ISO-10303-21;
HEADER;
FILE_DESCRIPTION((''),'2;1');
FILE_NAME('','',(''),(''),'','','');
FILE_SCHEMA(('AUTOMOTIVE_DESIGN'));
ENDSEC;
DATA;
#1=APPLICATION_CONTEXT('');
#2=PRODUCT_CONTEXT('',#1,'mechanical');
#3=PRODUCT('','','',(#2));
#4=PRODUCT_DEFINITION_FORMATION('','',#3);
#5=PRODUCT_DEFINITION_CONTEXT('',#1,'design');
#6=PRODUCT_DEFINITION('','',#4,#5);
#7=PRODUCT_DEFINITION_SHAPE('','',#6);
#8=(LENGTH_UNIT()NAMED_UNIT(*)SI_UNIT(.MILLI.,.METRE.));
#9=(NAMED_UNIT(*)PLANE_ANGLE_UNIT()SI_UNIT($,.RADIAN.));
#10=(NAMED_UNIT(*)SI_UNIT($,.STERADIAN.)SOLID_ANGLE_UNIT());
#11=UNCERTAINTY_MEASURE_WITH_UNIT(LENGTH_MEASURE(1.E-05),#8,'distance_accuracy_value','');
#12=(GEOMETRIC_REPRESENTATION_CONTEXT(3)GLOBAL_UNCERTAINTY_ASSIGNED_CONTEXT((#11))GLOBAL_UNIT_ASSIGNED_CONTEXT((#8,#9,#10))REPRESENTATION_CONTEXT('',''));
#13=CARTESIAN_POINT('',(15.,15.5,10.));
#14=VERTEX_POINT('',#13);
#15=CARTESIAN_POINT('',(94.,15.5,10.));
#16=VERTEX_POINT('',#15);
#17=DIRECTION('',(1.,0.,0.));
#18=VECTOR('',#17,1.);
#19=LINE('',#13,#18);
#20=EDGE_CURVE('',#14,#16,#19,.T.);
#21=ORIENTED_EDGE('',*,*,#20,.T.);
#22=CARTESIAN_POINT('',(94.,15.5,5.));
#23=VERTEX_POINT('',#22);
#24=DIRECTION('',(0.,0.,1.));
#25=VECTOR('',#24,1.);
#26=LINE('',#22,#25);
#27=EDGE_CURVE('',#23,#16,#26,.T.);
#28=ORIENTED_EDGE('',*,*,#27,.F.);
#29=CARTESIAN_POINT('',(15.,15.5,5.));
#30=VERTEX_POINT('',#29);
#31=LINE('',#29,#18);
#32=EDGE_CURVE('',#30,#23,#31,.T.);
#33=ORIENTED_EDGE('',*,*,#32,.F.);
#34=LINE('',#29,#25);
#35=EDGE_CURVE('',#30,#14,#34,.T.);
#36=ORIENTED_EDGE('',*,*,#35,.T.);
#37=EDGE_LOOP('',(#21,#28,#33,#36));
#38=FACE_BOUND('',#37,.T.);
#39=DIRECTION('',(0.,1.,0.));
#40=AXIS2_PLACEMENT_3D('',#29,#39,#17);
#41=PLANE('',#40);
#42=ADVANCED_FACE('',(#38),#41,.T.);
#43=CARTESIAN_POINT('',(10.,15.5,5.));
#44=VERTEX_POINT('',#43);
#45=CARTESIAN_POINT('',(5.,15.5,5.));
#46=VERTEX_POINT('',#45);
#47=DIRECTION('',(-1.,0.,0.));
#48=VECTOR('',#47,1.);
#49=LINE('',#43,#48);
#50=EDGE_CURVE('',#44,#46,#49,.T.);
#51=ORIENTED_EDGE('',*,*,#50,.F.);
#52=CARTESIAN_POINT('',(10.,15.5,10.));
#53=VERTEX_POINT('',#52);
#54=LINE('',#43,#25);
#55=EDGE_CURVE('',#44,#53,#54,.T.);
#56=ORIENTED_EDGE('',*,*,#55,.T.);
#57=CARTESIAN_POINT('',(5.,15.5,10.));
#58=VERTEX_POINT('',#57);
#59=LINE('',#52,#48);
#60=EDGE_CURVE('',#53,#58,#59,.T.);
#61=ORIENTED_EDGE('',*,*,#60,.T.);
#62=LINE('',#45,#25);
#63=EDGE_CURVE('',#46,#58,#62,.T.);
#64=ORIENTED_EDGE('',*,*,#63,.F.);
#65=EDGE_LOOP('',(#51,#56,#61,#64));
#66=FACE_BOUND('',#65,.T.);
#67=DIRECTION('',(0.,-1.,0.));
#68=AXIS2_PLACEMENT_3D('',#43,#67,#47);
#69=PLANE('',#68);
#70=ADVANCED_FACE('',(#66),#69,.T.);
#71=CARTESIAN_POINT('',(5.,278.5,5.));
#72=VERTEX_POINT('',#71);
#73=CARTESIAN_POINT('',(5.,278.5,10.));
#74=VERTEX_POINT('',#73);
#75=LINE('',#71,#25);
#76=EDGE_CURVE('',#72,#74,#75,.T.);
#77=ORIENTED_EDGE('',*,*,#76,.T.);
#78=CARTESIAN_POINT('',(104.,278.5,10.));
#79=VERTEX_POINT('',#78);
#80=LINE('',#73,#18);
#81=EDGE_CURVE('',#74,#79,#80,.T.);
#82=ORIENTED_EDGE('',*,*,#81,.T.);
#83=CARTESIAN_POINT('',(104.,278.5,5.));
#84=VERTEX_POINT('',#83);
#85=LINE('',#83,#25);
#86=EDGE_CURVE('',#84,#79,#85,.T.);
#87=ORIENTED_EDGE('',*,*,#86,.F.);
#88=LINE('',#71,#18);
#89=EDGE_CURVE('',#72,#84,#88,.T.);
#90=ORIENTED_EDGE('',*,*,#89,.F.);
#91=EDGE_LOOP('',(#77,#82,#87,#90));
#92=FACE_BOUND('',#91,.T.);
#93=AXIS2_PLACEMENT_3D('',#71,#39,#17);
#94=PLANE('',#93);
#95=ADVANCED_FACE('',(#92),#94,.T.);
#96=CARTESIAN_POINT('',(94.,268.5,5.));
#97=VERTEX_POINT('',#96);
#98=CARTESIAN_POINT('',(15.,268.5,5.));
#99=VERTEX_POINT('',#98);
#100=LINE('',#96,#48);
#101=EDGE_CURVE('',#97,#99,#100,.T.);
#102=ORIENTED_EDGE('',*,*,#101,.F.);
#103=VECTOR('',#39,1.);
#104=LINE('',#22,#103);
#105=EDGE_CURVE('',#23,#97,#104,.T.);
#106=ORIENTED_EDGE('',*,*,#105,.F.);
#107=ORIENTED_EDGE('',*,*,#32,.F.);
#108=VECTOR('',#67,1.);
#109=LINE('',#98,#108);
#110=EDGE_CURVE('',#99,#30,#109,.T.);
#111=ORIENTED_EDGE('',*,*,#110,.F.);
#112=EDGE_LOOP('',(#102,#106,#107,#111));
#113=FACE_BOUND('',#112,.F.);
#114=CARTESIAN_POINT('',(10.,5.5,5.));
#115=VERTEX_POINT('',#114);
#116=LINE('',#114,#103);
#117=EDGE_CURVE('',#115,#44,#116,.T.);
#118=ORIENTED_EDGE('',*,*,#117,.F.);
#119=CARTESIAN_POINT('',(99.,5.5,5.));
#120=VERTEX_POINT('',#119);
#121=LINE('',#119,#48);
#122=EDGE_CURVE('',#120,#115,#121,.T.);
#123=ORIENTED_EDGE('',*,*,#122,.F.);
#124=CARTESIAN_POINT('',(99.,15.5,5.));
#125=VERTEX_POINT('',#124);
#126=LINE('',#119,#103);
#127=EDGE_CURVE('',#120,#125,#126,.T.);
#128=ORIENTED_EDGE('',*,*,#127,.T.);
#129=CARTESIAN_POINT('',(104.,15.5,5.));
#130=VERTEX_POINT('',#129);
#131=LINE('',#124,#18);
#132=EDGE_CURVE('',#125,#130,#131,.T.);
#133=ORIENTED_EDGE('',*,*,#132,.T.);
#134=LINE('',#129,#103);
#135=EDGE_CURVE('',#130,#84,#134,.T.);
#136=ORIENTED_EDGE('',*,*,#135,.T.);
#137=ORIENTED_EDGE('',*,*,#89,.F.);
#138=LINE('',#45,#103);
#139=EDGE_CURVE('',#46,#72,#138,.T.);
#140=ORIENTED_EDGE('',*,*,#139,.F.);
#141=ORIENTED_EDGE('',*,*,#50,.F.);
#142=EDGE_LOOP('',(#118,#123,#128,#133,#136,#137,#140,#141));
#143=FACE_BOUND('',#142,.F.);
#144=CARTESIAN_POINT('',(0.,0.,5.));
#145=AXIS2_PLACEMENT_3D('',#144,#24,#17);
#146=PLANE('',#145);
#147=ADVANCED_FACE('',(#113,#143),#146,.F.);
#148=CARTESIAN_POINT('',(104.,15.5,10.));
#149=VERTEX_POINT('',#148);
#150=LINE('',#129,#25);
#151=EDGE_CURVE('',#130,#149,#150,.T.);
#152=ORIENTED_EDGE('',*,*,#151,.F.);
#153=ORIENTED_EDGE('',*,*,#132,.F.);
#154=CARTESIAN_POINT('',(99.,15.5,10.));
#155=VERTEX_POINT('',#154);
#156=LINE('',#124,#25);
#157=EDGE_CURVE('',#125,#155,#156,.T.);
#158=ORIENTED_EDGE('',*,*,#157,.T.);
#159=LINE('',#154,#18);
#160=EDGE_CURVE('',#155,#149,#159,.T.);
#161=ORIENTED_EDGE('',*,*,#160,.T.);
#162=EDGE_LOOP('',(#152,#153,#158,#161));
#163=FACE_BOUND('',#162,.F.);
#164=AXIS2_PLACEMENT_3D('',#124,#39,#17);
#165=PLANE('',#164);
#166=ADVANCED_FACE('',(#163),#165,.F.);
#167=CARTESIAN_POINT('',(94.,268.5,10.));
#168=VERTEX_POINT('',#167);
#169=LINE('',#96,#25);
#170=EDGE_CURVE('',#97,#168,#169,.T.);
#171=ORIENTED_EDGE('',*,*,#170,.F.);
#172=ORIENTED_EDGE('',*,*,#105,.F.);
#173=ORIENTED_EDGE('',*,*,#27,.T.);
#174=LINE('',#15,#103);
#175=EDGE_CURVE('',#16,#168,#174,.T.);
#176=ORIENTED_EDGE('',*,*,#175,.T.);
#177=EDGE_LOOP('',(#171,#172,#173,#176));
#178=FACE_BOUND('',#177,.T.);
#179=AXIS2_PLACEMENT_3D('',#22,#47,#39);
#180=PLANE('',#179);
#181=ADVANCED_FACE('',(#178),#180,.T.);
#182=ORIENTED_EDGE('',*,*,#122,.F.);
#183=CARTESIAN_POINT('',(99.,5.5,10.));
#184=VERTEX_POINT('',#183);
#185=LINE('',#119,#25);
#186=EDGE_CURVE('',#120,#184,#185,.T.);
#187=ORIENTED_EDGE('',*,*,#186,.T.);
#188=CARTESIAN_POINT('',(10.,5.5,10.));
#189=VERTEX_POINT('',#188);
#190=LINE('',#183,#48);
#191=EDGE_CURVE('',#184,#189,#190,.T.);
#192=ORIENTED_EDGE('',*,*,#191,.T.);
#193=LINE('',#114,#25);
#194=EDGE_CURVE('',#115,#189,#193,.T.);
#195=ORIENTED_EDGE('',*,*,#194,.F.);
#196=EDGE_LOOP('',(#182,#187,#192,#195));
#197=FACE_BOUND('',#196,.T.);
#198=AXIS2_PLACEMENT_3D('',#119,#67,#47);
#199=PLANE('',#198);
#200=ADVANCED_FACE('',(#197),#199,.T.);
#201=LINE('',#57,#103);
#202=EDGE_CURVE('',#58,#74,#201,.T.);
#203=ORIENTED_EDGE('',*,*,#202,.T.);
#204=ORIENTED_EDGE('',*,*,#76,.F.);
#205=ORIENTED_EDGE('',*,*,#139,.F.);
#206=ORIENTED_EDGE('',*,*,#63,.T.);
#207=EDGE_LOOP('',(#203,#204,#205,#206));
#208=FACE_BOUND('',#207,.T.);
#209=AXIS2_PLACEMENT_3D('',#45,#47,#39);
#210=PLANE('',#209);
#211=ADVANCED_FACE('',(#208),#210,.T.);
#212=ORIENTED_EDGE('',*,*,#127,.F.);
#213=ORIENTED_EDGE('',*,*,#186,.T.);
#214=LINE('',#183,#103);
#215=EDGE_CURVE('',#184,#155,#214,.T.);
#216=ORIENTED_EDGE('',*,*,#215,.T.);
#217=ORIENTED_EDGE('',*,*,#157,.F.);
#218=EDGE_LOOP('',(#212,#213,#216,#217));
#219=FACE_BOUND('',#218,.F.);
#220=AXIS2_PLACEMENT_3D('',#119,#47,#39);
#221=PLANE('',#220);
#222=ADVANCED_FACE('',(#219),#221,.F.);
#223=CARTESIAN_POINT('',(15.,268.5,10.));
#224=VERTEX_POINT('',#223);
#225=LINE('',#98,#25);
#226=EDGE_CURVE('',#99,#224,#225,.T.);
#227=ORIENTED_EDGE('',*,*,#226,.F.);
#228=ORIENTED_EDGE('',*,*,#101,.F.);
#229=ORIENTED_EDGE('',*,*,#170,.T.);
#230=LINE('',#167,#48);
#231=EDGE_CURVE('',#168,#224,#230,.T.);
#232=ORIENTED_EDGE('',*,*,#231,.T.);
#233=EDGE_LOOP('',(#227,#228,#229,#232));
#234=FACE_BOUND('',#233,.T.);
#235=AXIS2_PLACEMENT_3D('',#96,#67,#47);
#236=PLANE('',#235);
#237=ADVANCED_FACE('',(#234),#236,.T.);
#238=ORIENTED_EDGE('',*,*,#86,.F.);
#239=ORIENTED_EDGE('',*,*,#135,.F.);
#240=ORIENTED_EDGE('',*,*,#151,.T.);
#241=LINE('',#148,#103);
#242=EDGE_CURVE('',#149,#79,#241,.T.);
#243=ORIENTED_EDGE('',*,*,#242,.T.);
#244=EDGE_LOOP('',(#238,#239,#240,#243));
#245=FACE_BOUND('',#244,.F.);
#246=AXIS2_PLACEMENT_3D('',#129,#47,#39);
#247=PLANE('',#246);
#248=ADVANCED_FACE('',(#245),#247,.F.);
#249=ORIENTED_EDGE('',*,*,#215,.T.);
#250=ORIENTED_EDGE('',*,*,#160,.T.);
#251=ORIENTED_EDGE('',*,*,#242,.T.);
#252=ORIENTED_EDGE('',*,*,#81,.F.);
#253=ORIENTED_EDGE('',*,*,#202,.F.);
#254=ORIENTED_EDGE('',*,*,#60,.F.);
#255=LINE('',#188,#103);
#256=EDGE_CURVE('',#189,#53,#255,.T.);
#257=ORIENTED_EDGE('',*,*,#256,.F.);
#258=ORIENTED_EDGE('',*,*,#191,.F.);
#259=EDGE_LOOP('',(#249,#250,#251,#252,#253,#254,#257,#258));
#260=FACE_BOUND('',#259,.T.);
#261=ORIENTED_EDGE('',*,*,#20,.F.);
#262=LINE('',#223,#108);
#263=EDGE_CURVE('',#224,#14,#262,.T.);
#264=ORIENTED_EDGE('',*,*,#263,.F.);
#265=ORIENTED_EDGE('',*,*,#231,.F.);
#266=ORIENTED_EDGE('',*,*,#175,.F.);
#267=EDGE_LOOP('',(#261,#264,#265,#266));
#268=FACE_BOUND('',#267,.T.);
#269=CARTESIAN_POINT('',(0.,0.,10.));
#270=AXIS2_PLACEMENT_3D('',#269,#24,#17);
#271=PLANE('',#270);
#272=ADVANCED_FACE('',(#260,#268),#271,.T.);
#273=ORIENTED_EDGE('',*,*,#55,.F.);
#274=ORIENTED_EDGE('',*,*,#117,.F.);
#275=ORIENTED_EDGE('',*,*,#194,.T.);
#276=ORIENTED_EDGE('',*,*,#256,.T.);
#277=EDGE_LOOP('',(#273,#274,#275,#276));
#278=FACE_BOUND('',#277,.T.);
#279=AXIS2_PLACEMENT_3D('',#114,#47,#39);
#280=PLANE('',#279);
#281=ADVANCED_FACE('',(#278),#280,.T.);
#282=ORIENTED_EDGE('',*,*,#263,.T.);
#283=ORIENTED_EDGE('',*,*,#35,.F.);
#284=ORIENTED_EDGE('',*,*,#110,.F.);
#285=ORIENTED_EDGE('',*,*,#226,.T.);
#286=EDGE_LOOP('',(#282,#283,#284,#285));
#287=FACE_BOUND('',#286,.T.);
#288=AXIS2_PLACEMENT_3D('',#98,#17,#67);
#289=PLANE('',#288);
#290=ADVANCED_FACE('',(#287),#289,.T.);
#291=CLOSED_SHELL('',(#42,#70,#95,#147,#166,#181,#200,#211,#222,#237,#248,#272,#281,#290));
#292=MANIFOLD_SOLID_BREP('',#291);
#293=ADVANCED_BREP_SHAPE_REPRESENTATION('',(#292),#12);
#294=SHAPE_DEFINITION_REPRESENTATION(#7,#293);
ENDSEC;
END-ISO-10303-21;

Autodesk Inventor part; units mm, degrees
ref_plane "YZ Plane" through (0, 0, 0) normal (1, 0, 0) x (0, 1, 0)
ref_plane "XZ Plane" through (0, 0, 0) normal (0, 1, 0) x (-1, 0, 0)
ref_plane "Work Plane1" through (0, 0, 5) normal (0, 0, 1) x (1, 0, 0)
sketch "Sketch2" plane through (0, 0, 5) normal (0, 0, 1) x (1, 0, 0)
  line L0 (5, 278.5) -> (104, 278.5) construction
  line L1 (104, 278.5) -> (104, 5.5) construction
  line L2 (104, 5.5) -> (5, 5.5) construction
  line L3 (5, 5.5) -> (5, 278.5) construction
  line L4 (110, 284) -> (0, 284) projected
  line L5 (0, 0) -> (110, 0) projected
  line L6 (0, 284) -> (0, 0) projected
  line L7 (15, 15.5) -> (94, 15.5)
  line L8 (94, 15.5) -> (94, 268.5)
  line L9 (94, 268.5) -> (15, 268.5)
  line L10 (15, 268.5) -> (15, 15.5)
  line L11 (5, 5.5) -> (10, 5.5) construction
  line L12 (10, 5.5) -> (10, 15.5) construction
  line L13 (104, 5.5) -> (99, 5.5) construction
  line L14 (99, 5.5) -> (99, 15.5) construction
  line L15 (10, 5.5) -> (10, 15.5)
  line L16 (10, 15.5) -> (5, 15.5)
  line L17 (5, 15.5) -> (5, 278.5)
  line L18 (5, 278.5) -> (104, 278.5)
  line L19 (99, 5.5) -> (99, 15.5)
  line L20 (99, 15.5) -> (104, 15.5)
  line L21 (104, 15.5) -> (104, 278.5)
  line L22 (99, 5.5) -> (10, 5.5)
  dimension "d4" = 99
  dimension "d5" = 273
  dimension "d6" = 5.5
  dimension "d7" = 5.5
  dimension "d8" = 5
  dimension "d9" = 79
  dimension "d10" = 253
  dimension "d11" = 10
  dimension "d12" = 10
  dimension "d13" = 5
  dimension "d14" = 10
  dimension "d15" = 5
  dimension "d16" = 10
extrude "Extrusion2" add sketch "Sketch2" along normal blind 5
equation "\"d4\" = tankw - 2 * slack"
equation "\"d5\" = -sensorsupportl + tankl - pvct - 2 * slack"
equation "\"d9\" = -2 * slack + tankw - 2 * bracketw"
equation "\"d10\" = -2 * slack - pvct + tankl - sensorsupportl - 2 * bracketw"
equation "\"d11\" = bracketw"
equation "\"d12\" = bracketw"
equation "\"d13\" = pvct"
equation "\"d14\" = bracketw"
equation "\"d15\" = pvct"
equation "\"d16\" = bracketw"
equation "\"d17\" = pvct"
equation "\"lcsd\" = 19.05"
equation "\"lcwd1\" = 25"
equation "\"lcwd2\" = 34"
equation "\"lch1\" = 39"
equation "\"lcwd3\" = 43"
equation "\"dia1\" = 6"
equation "\"td\" = 18"
equation "\"bhh\" = 6"
equation "\"sw\" = 25"
equation "\"sh\" = 31"
equation "\"spacert\" = 2"
equation "\"pvct\" = 5"
equation "\"tankl\" = 379"
equation "\"dia4\" = 11"
equation "\"dia3\" = 8"
equation "\"play\" = 9"
equation "\"holeh\" = 26"
equation "\"slack\" = 0.5"
equation "\"surroundt\" = 5"
equation "\"play2\" = 3"
equation "\"diaair\" = 32"
equation "\"diaph\" = 32"
equation "\"diawater\" = 25"
equation "\"diacucl\" = 32"
equation "\"diahcl\" = 32"
equation "\"diaoverflow\" = 25"
equation "\"diasurroundhole\" = 42"
equation "\"bracketw\" = 10"
equation "\"bracketwbottom\" = 6"
equation "\"diagrate\" = 12"
equation "\"gratespacing\" = 12.02082"
equation "\"bottomdist\" = 9.6355"
equation "\"sidedist\" = 13.9375"
equation "\"nett\" = 1"
equation "\"nethole\" = 16"
equation "\"netside\" = 3.5"
equation "\"nettop\" = 7"
equation "\"netholespacing\" = 2"
equation "\"diaetape\" = 32"
equation "\"tankw\" = 100"
equation "\"sensorsupportl\" = 100"
properties part number "tank_lid_main" material "PVC-Piping"
